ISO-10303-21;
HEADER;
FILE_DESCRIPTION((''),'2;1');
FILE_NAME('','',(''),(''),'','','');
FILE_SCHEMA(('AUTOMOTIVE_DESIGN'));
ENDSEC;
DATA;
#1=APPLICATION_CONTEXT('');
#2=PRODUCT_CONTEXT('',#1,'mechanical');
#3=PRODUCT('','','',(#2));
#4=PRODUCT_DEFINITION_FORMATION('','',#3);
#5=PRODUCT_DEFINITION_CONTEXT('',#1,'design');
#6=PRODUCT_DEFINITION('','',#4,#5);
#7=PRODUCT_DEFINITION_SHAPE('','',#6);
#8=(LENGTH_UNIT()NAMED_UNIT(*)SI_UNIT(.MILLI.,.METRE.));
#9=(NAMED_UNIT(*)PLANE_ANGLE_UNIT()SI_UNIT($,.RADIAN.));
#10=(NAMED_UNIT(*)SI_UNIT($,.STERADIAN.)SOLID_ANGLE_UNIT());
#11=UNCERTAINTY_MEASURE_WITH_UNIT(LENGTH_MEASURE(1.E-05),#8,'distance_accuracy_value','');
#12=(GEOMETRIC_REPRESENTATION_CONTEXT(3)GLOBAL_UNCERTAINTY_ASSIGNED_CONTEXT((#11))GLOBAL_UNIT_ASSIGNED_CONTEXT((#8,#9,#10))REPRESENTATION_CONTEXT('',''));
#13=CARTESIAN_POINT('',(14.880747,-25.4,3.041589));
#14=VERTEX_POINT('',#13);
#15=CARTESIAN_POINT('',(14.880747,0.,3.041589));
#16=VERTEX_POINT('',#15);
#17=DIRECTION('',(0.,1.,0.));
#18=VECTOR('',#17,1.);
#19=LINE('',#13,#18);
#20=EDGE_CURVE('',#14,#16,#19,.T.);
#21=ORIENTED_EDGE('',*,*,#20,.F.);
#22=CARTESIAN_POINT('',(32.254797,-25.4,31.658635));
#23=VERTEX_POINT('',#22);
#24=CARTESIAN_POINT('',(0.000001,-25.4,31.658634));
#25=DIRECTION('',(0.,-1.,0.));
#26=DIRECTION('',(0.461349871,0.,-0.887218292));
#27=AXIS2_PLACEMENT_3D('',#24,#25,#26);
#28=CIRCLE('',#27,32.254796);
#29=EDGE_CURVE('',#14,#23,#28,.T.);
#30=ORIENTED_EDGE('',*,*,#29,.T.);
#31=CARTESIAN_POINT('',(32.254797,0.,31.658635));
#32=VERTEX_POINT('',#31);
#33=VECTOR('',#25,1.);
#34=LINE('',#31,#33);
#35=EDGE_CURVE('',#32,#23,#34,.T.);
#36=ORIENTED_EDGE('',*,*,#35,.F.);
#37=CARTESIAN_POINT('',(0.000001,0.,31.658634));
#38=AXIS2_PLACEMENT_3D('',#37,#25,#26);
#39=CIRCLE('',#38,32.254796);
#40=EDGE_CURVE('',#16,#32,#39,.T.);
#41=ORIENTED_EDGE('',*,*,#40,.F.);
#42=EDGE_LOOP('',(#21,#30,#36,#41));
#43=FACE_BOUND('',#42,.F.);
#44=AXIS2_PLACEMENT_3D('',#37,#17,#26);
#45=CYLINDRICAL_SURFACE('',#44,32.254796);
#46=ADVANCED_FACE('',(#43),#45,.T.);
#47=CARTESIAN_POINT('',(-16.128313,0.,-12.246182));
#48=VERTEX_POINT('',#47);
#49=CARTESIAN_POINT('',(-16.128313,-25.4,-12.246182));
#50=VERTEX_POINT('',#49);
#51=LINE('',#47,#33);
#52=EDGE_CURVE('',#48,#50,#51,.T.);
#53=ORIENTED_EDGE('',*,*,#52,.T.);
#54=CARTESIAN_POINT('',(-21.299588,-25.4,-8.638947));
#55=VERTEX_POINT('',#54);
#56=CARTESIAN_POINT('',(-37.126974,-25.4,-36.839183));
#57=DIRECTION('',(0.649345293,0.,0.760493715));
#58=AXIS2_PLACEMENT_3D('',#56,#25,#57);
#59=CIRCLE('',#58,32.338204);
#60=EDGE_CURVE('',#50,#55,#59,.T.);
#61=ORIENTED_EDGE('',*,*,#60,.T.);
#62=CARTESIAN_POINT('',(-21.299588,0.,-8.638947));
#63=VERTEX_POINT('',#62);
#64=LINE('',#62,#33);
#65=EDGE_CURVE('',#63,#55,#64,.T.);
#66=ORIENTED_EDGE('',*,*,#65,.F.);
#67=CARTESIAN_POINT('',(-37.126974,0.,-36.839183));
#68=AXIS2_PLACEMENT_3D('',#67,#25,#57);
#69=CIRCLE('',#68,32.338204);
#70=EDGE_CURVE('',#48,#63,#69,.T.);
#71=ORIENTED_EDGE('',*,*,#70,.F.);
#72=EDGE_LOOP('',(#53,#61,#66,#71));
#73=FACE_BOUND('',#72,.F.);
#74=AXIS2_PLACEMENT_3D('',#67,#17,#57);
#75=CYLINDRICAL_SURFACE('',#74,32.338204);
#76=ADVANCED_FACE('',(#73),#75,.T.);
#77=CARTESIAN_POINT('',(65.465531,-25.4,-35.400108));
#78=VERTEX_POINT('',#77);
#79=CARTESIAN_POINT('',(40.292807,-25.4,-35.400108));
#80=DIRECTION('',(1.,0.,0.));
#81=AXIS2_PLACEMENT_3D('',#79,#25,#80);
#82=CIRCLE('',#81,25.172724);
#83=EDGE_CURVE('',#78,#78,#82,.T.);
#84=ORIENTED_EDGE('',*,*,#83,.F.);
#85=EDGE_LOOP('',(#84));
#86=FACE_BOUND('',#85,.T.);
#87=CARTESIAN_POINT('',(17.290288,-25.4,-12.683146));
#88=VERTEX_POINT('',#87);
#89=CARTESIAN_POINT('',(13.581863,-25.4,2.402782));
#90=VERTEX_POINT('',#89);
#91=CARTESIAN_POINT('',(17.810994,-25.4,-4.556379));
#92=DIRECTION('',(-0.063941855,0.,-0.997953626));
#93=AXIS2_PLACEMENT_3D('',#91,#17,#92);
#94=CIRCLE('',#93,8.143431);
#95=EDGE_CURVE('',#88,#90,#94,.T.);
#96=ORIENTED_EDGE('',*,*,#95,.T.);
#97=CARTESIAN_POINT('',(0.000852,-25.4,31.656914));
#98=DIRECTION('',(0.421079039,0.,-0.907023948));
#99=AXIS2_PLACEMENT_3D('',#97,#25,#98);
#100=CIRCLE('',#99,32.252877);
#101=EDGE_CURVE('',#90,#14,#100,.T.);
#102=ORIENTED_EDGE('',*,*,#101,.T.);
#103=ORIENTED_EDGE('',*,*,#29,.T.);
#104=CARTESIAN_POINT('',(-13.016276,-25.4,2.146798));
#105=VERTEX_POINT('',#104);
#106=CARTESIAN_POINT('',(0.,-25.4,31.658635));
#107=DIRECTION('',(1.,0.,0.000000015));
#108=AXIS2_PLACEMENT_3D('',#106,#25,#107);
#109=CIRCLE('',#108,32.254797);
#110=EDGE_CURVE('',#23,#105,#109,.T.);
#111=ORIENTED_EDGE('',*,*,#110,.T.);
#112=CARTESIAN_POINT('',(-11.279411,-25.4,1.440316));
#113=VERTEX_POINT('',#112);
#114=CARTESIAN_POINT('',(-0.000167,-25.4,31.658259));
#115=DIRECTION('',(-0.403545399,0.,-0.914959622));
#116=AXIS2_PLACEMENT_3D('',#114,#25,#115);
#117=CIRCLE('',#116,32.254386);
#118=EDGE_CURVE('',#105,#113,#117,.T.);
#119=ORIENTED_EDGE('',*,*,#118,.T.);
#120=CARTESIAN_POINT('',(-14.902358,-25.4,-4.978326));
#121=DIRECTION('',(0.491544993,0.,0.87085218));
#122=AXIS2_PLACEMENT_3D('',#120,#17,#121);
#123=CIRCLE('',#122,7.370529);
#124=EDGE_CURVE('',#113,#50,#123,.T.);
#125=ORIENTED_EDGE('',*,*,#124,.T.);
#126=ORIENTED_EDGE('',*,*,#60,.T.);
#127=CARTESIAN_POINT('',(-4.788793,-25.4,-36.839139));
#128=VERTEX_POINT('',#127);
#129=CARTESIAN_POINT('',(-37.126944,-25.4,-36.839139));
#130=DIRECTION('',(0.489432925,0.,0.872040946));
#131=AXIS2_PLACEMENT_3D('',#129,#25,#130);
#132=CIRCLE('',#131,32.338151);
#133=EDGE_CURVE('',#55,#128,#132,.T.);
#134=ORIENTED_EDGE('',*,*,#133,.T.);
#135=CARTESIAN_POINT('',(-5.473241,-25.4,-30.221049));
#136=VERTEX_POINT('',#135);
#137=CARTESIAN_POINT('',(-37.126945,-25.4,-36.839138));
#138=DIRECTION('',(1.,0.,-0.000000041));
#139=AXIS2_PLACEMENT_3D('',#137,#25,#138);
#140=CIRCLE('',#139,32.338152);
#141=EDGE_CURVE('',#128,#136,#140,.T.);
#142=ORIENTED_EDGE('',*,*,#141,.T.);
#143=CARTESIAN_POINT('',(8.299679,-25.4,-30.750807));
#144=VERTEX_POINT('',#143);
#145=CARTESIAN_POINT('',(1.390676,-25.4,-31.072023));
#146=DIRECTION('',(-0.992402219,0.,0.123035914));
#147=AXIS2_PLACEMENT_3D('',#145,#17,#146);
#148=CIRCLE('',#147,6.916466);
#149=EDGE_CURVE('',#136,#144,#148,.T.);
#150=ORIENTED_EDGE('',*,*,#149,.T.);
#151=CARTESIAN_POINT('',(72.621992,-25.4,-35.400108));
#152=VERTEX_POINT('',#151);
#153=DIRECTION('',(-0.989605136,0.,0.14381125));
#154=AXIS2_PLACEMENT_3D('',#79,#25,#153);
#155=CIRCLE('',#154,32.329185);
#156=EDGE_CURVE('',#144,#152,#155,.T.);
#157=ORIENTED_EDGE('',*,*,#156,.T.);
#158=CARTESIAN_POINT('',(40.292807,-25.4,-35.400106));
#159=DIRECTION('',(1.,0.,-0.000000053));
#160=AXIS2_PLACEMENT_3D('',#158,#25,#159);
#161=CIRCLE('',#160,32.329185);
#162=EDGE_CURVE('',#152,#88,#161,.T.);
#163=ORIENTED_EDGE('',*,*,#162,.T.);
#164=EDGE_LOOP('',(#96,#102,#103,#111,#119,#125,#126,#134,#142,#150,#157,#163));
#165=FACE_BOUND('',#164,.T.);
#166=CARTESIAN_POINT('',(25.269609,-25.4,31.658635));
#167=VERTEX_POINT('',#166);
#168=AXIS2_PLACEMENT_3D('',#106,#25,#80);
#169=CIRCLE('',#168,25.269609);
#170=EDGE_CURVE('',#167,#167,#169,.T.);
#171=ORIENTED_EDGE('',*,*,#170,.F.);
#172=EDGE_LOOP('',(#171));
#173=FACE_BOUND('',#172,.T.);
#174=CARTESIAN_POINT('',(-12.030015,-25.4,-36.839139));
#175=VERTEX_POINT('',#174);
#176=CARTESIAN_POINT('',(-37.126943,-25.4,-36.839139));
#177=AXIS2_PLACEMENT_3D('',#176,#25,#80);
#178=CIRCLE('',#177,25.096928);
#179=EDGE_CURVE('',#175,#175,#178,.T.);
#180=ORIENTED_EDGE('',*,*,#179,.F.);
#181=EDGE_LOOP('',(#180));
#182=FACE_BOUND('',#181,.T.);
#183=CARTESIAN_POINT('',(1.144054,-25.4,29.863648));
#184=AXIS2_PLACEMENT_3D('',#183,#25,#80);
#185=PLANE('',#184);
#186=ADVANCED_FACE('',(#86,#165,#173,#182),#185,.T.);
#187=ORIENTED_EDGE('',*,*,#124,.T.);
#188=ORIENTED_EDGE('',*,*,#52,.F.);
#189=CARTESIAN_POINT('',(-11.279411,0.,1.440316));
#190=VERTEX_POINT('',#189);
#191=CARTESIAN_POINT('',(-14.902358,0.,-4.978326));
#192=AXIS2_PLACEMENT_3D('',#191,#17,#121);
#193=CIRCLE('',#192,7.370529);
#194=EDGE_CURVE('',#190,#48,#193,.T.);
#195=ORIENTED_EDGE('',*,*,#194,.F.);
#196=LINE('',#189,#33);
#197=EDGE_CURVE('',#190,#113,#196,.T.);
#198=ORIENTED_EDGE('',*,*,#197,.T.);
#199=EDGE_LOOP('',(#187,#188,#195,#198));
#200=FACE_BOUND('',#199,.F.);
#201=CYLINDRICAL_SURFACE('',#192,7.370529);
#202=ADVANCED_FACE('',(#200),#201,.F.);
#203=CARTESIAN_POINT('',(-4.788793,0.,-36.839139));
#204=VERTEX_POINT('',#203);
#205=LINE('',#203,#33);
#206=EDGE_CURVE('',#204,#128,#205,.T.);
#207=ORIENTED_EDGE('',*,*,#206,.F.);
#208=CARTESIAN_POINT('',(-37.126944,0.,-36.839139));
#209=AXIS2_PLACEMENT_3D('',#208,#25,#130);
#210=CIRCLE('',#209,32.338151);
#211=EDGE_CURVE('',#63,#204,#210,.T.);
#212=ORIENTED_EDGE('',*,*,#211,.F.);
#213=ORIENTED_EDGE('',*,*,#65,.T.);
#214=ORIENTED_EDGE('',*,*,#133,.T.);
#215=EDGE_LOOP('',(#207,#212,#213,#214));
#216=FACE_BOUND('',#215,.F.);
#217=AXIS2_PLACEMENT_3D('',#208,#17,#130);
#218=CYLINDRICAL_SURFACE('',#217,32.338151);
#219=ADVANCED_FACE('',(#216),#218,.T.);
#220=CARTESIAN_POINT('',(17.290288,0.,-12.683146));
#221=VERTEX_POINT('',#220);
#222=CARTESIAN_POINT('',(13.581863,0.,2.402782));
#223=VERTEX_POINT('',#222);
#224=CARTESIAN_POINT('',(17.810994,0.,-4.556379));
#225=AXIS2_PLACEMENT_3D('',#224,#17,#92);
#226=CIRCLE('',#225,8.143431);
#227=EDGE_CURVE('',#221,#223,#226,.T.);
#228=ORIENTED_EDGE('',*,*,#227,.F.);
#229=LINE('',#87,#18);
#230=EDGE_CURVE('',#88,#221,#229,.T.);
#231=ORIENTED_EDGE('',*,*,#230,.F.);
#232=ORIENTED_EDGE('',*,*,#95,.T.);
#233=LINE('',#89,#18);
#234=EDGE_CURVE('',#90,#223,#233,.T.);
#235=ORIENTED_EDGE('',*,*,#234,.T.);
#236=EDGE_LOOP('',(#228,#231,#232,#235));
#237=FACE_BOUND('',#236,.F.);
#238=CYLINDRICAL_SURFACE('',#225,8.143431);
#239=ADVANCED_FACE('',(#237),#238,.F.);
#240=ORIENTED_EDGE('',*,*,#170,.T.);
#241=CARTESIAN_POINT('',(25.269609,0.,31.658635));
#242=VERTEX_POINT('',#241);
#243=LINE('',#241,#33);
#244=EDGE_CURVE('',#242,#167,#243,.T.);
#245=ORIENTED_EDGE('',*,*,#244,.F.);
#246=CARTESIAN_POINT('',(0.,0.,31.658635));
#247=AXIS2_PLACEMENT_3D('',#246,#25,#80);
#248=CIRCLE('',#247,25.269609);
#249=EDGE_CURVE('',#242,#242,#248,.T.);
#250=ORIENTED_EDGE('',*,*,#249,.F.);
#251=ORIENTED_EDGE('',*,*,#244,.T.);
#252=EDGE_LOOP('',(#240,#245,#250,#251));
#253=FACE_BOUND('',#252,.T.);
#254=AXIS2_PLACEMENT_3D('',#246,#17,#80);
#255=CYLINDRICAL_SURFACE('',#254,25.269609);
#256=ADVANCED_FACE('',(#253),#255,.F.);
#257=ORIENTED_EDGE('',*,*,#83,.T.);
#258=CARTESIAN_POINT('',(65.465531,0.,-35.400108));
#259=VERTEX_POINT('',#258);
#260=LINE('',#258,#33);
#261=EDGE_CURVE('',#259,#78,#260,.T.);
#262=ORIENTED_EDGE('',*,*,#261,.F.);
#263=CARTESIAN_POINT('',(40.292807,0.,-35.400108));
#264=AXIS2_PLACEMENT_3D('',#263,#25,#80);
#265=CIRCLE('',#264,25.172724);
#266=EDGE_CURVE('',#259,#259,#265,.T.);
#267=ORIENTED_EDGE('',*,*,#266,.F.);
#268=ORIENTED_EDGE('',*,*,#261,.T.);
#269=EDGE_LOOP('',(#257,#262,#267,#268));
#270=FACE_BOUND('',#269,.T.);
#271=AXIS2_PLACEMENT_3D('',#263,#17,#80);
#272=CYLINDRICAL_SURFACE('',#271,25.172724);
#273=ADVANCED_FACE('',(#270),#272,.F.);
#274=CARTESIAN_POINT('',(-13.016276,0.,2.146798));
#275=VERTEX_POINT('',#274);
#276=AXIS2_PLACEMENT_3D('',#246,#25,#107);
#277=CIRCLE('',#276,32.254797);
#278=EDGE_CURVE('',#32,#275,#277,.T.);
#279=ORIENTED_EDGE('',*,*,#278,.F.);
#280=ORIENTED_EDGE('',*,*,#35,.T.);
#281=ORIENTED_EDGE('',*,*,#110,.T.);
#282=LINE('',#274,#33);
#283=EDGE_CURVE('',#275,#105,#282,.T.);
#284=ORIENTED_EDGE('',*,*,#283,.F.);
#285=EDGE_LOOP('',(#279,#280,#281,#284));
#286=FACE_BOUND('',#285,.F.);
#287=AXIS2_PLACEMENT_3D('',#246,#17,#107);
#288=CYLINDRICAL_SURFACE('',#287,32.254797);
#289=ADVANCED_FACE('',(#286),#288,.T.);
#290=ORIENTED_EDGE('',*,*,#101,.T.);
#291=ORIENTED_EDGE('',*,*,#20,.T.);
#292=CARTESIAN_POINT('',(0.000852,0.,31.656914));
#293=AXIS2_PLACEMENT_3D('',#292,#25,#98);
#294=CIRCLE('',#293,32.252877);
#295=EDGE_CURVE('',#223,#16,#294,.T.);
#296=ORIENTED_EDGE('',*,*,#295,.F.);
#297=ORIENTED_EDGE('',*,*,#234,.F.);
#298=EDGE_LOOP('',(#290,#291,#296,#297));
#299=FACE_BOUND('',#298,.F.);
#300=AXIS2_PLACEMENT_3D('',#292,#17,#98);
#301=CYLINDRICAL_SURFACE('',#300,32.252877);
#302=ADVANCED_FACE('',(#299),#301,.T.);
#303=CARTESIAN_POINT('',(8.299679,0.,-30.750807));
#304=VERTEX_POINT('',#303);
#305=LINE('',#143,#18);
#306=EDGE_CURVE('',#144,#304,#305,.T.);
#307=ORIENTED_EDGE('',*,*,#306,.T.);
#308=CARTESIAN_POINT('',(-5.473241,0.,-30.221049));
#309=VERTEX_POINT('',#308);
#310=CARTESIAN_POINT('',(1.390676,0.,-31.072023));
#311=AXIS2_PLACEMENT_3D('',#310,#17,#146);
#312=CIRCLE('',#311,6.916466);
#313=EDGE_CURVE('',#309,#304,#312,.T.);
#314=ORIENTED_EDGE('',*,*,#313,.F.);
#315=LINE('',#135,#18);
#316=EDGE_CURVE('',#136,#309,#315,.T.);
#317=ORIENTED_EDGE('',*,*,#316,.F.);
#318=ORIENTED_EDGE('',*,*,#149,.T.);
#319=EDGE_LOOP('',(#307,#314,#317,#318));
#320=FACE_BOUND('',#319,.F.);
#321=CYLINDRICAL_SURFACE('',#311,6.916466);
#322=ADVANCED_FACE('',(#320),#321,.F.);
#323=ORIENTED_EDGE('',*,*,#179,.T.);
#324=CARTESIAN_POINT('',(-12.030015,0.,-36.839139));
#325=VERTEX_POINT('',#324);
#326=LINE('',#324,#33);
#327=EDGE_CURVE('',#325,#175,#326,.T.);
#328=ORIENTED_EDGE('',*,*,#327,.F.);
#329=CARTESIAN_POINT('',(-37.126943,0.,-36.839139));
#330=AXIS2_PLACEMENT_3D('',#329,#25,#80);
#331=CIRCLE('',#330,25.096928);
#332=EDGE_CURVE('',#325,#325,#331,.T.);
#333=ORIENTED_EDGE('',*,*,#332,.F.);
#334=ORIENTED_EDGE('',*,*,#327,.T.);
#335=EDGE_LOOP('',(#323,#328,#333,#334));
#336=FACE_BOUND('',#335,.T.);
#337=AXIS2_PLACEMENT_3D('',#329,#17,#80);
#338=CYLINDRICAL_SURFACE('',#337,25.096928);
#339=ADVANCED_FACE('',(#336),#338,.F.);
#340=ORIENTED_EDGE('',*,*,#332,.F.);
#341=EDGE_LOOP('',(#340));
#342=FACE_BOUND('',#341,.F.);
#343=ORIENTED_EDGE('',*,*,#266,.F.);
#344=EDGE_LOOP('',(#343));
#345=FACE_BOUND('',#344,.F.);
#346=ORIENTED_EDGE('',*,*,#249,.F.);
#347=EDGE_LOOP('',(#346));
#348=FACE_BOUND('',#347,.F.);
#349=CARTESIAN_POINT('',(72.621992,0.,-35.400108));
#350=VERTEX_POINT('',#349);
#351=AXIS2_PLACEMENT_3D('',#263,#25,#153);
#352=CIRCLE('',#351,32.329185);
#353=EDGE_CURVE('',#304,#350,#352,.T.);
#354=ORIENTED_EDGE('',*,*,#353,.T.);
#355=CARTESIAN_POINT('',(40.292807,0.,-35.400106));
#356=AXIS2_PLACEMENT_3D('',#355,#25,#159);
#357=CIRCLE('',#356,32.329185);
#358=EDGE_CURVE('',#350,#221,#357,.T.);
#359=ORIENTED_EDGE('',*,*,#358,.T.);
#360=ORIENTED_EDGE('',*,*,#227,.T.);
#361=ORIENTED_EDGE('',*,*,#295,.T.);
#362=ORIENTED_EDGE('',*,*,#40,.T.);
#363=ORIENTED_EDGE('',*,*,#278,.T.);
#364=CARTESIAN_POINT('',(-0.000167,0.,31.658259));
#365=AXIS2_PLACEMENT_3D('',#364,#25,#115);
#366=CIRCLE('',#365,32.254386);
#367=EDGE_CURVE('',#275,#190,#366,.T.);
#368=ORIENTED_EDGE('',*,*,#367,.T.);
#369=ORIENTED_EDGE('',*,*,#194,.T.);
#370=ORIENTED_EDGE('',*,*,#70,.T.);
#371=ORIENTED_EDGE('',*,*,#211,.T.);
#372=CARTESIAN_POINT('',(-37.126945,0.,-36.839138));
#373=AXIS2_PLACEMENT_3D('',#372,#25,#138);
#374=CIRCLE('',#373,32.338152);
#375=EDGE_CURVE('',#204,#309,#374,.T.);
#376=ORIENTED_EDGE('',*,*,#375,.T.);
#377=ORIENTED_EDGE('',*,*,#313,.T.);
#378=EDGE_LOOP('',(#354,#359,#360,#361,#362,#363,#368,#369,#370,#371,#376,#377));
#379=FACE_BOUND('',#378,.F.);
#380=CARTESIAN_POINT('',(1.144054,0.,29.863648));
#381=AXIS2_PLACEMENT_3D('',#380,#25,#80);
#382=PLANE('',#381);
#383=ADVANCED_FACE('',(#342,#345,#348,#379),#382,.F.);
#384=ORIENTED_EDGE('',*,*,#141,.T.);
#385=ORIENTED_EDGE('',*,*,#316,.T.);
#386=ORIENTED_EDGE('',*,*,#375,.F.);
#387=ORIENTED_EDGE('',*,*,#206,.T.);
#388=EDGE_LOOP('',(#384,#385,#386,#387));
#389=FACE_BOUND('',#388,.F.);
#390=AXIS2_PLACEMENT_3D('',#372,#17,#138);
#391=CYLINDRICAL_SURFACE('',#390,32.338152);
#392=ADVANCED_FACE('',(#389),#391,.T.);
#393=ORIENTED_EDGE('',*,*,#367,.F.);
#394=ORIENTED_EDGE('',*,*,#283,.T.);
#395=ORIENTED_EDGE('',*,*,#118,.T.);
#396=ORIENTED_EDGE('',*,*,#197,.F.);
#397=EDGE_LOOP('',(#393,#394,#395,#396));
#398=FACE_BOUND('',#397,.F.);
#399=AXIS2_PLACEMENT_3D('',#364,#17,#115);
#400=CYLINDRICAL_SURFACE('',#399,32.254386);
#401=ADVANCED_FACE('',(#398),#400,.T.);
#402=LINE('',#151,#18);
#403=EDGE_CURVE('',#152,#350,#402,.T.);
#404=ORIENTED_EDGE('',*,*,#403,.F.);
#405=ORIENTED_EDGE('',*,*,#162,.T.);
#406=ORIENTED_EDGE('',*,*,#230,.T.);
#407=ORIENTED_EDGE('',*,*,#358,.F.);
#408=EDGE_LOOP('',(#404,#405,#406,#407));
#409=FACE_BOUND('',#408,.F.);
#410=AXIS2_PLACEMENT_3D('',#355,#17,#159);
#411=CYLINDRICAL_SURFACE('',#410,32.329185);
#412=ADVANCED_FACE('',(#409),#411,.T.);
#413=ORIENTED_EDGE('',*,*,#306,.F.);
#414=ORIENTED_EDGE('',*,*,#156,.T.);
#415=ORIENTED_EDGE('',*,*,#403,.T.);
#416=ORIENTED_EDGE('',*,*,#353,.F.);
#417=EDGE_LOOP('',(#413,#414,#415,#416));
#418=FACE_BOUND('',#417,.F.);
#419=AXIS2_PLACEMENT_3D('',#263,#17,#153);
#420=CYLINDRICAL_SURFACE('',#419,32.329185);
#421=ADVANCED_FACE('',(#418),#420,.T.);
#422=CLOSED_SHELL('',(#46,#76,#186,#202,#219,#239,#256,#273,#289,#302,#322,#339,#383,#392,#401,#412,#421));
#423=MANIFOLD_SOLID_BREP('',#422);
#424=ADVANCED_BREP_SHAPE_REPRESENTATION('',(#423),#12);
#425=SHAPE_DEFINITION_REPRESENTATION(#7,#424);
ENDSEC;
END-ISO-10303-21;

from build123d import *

# Parameters (mm, degrees)
F0_R     = 25.269609
F0_R_2   = 25.096928
F0_R_3   = 25.172724
F1_DEPTH = 11.176
F2_DEPTH = 25.4


with BuildPart() as f1:
    # F0 (on Front) → F1 (new body)
    with BuildSketch(Plane.XZ):
        with BuildLine():
            ThreePointArc((14.880747, 3.041589), (27.571248, 14.919512), (32.254797, 31.658635))
            ThreePointArc((32.254797, 31.658635), (-17.614406, 58.679083), (-13.016276, 2.146798))
            ThreePointArc((-13.016276, 2.146798), (-12.125286, 1.849014), (-11.279411, 1.440316))
            ThreePointArc((-11.279411, 1.440316), (1.247761, -0.572019), (13.581863, 2.402782))
            ThreePointArc((13.581863, 2.402782), (14.217084, 2.751102), (14.880747, 3.041589))
        make_face()
        with Locations((0, 31.658635)):
            Circle(F0_R, mode=Mode.SUBTRACT)
        with BuildLine():
            ThreePointArc((-11.279411, 1.440316), (-12.125286, 1.849014), (-13.016276, 2.146798))
            ThreePointArc((-13.016276, 2.146798), (-12.152978, 1.780933), (-11.279411, 1.440316))
        make_face()
        with BuildLine():
            ThreePointArc((13.581863, 2.402782), (14.234889, 2.714898), (14.880747, 3.041589))
            ThreePointArc((14.880747, 3.041589), (14.217084, 2.751102), (13.581863, 2.402782))
        make_face()
        with BuildLine():
            ThreePointArc((13.581863, 2.402782), (1.247761, -0.572019), (-11.279411, 1.440316))
            ThreePointArc((-11.279411, 1.440316), (-7.954952, -7.439678), (-16.128313, -12.246182))
            ThreePointArc((-16.128313, -12.246182), (-9.308945, -20.349294), (-5.473241, -30.221049))
            ThreePointArc((-5.473241, -30.221049), (1.656512, -24.160667), (8.299679, -30.750807))
            ThreePointArc((8.299679, -30.750807), (11.349062, -20.997474), (17.290288, -12.683146))
            ThreePointArc((17.290288, -12.683146), (9.902989, -6.500326), (13.581863, 2.402782))
        make_face()
        with BuildLine():
            ThreePointArc((-21.299588, -8.638947), (-19.119142, -11.023442), (-16.128313, -12.246182))
            ThreePointArc((-16.128313, -12.246182), (-18.625826, -10.316231), (-21.299588, -8.638947))
        make_face()
        with BuildLine():
            ThreePointArc((-5.473241, -30.221049), (-9.308945, -20.349294), (-16.128313, -12.246182))
            ThreePointArc((-16.128313, -12.246182), (-19.119142, -11.023442), (-21.299588, -8.638947))
            ThreePointArc((-21.299588, -8.638947), (-65.033783, -53.178181), (-4.788793, -36.839139))
            ThreePointArc((-4.788793, -36.839139), (-4.96036, -33.512445), (-5.473241, -30.221049))
        make_face()
        with Locations((-37.126943, -36.839139)):
            Circle(F0_R_2, mode=Mode.SUBTRACT)
        with BuildLine():
            ThreePointArc((72.621992, -35.400108), (52.571315, -5.493344), (17.290288, -12.683146))
            ThreePointArc((17.290288, -12.683146), (11.349062, -20.997474), (8.299679, -30.750807))
            ThreePointArc((8.299679, -30.750807), (37.962092, -67.645169), (72.621992, -35.400108))
        make_face()
        with Locations((40.292807, -35.400108)):
            Circle(F0_R_3, mode=Mode.SUBTRACT)
    extrude(amount=F1_DEPTH)

    # F0 (on Front) → F2 (join)
    with BuildSketch(Plane.XZ):
        with BuildLine():
            ThreePointArc((14.880747, 3.041589), (27.571248, 14.919512), (32.254797, 31.658635))
            ThreePointArc((32.254797, 31.658635), (-17.614406, 58.679083), (-13.016276, 2.146798))
            ThreePointArc((-13.016276, 2.146798), (-12.125286, 1.849014), (-11.279411, 1.440316))
            ThreePointArc((-11.279411, 1.440316), (1.247761, -0.572019), (13.581863, 2.402782))
            ThreePointArc((13.581863, 2.402782), (14.217084, 2.751102), (14.880747, 3.041589))
        make_face()
        with Locations((0, 31.658635)):
            Circle(F0_R, mode=Mode.SUBTRACT)
        with BuildLine():
            ThreePointArc((-11.279411, 1.440316), (-12.125286, 1.849014), (-13.016276, 2.146798))
            ThreePointArc((-13.016276, 2.146798), (-12.152978, 1.780933), (-11.279411, 1.440316))
        make_face()
        with BuildLine():
            ThreePointArc((13.581863, 2.402782), (14.234889, 2.714898), (14.880747, 3.041589))
            ThreePointArc((14.880747, 3.041589), (14.217084, 2.751102), (13.581863, 2.402782))
        make_face()
        with BuildLine():
            ThreePointArc((13.581863, 2.402782), (1.247761, -0.572019), (-11.279411, 1.440316))
            ThreePointArc((-11.279411, 1.440316), (-7.954952, -7.439678), (-16.128313, -12.246182))
            ThreePointArc((-16.128313, -12.246182), (-9.308945, -20.349294), (-5.473241, -30.221049))
            ThreePointArc((-5.473241, -30.221049), (1.656512, -24.160667), (8.299679, -30.750807))
            ThreePointArc((8.299679, -30.750807), (11.349062, -20.997474), (17.290288, -12.683146))
            ThreePointArc((17.290288, -12.683146), (9.902989, -6.500326), (13.581863, 2.402782))
        make_face()
        with BuildLine():
            ThreePointArc((-21.299588, -8.638947), (-19.119142, -11.023442), (-16.128313, -12.246182))
            ThreePointArc((-16.128313, -12.246182), (-18.625826, -10.316231), (-21.299588, -8.638947))
        make_face()
        with BuildLine():
            ThreePointArc((-5.473241, -30.221049), (-9.308945, -20.349294), (-16.128313, -12.246182))
            ThreePointArc((-16.128313, -12.246182), (-19.119142, -11.023442), (-21.299588, -8.638947))
            ThreePointArc((-21.299588, -8.638947), (-65.033783, -53.178181), (-4.788793, -36.839139))
            ThreePointArc((-4.788793, -36.839139), (-4.96036, -33.512445), (-5.473241, -30.221049))
        make_face()
        with Locations((-37.126943, -36.839139)):
            Circle(F0_R_2, mode=Mode.SUBTRACT)
        with BuildLine():
            ThreePointArc((72.621992, -35.400108), (52.571315, -5.493344), (17.290288, -12.683146))
            ThreePointArc((17.290288, -12.683146), (11.349062, -20.997474), (8.299679, -30.750807))
            ThreePointArc((8.299679, -30.750807), (37.962092, -67.645169), (72.621992, -35.400108))
        make_face()
        with Locations((40.292807, -35.400108)):
            Circle(F0_R_3, mode=Mode.SUBTRACT)
    extrude(amount=F2_DEPTH)


solid = f1.part
